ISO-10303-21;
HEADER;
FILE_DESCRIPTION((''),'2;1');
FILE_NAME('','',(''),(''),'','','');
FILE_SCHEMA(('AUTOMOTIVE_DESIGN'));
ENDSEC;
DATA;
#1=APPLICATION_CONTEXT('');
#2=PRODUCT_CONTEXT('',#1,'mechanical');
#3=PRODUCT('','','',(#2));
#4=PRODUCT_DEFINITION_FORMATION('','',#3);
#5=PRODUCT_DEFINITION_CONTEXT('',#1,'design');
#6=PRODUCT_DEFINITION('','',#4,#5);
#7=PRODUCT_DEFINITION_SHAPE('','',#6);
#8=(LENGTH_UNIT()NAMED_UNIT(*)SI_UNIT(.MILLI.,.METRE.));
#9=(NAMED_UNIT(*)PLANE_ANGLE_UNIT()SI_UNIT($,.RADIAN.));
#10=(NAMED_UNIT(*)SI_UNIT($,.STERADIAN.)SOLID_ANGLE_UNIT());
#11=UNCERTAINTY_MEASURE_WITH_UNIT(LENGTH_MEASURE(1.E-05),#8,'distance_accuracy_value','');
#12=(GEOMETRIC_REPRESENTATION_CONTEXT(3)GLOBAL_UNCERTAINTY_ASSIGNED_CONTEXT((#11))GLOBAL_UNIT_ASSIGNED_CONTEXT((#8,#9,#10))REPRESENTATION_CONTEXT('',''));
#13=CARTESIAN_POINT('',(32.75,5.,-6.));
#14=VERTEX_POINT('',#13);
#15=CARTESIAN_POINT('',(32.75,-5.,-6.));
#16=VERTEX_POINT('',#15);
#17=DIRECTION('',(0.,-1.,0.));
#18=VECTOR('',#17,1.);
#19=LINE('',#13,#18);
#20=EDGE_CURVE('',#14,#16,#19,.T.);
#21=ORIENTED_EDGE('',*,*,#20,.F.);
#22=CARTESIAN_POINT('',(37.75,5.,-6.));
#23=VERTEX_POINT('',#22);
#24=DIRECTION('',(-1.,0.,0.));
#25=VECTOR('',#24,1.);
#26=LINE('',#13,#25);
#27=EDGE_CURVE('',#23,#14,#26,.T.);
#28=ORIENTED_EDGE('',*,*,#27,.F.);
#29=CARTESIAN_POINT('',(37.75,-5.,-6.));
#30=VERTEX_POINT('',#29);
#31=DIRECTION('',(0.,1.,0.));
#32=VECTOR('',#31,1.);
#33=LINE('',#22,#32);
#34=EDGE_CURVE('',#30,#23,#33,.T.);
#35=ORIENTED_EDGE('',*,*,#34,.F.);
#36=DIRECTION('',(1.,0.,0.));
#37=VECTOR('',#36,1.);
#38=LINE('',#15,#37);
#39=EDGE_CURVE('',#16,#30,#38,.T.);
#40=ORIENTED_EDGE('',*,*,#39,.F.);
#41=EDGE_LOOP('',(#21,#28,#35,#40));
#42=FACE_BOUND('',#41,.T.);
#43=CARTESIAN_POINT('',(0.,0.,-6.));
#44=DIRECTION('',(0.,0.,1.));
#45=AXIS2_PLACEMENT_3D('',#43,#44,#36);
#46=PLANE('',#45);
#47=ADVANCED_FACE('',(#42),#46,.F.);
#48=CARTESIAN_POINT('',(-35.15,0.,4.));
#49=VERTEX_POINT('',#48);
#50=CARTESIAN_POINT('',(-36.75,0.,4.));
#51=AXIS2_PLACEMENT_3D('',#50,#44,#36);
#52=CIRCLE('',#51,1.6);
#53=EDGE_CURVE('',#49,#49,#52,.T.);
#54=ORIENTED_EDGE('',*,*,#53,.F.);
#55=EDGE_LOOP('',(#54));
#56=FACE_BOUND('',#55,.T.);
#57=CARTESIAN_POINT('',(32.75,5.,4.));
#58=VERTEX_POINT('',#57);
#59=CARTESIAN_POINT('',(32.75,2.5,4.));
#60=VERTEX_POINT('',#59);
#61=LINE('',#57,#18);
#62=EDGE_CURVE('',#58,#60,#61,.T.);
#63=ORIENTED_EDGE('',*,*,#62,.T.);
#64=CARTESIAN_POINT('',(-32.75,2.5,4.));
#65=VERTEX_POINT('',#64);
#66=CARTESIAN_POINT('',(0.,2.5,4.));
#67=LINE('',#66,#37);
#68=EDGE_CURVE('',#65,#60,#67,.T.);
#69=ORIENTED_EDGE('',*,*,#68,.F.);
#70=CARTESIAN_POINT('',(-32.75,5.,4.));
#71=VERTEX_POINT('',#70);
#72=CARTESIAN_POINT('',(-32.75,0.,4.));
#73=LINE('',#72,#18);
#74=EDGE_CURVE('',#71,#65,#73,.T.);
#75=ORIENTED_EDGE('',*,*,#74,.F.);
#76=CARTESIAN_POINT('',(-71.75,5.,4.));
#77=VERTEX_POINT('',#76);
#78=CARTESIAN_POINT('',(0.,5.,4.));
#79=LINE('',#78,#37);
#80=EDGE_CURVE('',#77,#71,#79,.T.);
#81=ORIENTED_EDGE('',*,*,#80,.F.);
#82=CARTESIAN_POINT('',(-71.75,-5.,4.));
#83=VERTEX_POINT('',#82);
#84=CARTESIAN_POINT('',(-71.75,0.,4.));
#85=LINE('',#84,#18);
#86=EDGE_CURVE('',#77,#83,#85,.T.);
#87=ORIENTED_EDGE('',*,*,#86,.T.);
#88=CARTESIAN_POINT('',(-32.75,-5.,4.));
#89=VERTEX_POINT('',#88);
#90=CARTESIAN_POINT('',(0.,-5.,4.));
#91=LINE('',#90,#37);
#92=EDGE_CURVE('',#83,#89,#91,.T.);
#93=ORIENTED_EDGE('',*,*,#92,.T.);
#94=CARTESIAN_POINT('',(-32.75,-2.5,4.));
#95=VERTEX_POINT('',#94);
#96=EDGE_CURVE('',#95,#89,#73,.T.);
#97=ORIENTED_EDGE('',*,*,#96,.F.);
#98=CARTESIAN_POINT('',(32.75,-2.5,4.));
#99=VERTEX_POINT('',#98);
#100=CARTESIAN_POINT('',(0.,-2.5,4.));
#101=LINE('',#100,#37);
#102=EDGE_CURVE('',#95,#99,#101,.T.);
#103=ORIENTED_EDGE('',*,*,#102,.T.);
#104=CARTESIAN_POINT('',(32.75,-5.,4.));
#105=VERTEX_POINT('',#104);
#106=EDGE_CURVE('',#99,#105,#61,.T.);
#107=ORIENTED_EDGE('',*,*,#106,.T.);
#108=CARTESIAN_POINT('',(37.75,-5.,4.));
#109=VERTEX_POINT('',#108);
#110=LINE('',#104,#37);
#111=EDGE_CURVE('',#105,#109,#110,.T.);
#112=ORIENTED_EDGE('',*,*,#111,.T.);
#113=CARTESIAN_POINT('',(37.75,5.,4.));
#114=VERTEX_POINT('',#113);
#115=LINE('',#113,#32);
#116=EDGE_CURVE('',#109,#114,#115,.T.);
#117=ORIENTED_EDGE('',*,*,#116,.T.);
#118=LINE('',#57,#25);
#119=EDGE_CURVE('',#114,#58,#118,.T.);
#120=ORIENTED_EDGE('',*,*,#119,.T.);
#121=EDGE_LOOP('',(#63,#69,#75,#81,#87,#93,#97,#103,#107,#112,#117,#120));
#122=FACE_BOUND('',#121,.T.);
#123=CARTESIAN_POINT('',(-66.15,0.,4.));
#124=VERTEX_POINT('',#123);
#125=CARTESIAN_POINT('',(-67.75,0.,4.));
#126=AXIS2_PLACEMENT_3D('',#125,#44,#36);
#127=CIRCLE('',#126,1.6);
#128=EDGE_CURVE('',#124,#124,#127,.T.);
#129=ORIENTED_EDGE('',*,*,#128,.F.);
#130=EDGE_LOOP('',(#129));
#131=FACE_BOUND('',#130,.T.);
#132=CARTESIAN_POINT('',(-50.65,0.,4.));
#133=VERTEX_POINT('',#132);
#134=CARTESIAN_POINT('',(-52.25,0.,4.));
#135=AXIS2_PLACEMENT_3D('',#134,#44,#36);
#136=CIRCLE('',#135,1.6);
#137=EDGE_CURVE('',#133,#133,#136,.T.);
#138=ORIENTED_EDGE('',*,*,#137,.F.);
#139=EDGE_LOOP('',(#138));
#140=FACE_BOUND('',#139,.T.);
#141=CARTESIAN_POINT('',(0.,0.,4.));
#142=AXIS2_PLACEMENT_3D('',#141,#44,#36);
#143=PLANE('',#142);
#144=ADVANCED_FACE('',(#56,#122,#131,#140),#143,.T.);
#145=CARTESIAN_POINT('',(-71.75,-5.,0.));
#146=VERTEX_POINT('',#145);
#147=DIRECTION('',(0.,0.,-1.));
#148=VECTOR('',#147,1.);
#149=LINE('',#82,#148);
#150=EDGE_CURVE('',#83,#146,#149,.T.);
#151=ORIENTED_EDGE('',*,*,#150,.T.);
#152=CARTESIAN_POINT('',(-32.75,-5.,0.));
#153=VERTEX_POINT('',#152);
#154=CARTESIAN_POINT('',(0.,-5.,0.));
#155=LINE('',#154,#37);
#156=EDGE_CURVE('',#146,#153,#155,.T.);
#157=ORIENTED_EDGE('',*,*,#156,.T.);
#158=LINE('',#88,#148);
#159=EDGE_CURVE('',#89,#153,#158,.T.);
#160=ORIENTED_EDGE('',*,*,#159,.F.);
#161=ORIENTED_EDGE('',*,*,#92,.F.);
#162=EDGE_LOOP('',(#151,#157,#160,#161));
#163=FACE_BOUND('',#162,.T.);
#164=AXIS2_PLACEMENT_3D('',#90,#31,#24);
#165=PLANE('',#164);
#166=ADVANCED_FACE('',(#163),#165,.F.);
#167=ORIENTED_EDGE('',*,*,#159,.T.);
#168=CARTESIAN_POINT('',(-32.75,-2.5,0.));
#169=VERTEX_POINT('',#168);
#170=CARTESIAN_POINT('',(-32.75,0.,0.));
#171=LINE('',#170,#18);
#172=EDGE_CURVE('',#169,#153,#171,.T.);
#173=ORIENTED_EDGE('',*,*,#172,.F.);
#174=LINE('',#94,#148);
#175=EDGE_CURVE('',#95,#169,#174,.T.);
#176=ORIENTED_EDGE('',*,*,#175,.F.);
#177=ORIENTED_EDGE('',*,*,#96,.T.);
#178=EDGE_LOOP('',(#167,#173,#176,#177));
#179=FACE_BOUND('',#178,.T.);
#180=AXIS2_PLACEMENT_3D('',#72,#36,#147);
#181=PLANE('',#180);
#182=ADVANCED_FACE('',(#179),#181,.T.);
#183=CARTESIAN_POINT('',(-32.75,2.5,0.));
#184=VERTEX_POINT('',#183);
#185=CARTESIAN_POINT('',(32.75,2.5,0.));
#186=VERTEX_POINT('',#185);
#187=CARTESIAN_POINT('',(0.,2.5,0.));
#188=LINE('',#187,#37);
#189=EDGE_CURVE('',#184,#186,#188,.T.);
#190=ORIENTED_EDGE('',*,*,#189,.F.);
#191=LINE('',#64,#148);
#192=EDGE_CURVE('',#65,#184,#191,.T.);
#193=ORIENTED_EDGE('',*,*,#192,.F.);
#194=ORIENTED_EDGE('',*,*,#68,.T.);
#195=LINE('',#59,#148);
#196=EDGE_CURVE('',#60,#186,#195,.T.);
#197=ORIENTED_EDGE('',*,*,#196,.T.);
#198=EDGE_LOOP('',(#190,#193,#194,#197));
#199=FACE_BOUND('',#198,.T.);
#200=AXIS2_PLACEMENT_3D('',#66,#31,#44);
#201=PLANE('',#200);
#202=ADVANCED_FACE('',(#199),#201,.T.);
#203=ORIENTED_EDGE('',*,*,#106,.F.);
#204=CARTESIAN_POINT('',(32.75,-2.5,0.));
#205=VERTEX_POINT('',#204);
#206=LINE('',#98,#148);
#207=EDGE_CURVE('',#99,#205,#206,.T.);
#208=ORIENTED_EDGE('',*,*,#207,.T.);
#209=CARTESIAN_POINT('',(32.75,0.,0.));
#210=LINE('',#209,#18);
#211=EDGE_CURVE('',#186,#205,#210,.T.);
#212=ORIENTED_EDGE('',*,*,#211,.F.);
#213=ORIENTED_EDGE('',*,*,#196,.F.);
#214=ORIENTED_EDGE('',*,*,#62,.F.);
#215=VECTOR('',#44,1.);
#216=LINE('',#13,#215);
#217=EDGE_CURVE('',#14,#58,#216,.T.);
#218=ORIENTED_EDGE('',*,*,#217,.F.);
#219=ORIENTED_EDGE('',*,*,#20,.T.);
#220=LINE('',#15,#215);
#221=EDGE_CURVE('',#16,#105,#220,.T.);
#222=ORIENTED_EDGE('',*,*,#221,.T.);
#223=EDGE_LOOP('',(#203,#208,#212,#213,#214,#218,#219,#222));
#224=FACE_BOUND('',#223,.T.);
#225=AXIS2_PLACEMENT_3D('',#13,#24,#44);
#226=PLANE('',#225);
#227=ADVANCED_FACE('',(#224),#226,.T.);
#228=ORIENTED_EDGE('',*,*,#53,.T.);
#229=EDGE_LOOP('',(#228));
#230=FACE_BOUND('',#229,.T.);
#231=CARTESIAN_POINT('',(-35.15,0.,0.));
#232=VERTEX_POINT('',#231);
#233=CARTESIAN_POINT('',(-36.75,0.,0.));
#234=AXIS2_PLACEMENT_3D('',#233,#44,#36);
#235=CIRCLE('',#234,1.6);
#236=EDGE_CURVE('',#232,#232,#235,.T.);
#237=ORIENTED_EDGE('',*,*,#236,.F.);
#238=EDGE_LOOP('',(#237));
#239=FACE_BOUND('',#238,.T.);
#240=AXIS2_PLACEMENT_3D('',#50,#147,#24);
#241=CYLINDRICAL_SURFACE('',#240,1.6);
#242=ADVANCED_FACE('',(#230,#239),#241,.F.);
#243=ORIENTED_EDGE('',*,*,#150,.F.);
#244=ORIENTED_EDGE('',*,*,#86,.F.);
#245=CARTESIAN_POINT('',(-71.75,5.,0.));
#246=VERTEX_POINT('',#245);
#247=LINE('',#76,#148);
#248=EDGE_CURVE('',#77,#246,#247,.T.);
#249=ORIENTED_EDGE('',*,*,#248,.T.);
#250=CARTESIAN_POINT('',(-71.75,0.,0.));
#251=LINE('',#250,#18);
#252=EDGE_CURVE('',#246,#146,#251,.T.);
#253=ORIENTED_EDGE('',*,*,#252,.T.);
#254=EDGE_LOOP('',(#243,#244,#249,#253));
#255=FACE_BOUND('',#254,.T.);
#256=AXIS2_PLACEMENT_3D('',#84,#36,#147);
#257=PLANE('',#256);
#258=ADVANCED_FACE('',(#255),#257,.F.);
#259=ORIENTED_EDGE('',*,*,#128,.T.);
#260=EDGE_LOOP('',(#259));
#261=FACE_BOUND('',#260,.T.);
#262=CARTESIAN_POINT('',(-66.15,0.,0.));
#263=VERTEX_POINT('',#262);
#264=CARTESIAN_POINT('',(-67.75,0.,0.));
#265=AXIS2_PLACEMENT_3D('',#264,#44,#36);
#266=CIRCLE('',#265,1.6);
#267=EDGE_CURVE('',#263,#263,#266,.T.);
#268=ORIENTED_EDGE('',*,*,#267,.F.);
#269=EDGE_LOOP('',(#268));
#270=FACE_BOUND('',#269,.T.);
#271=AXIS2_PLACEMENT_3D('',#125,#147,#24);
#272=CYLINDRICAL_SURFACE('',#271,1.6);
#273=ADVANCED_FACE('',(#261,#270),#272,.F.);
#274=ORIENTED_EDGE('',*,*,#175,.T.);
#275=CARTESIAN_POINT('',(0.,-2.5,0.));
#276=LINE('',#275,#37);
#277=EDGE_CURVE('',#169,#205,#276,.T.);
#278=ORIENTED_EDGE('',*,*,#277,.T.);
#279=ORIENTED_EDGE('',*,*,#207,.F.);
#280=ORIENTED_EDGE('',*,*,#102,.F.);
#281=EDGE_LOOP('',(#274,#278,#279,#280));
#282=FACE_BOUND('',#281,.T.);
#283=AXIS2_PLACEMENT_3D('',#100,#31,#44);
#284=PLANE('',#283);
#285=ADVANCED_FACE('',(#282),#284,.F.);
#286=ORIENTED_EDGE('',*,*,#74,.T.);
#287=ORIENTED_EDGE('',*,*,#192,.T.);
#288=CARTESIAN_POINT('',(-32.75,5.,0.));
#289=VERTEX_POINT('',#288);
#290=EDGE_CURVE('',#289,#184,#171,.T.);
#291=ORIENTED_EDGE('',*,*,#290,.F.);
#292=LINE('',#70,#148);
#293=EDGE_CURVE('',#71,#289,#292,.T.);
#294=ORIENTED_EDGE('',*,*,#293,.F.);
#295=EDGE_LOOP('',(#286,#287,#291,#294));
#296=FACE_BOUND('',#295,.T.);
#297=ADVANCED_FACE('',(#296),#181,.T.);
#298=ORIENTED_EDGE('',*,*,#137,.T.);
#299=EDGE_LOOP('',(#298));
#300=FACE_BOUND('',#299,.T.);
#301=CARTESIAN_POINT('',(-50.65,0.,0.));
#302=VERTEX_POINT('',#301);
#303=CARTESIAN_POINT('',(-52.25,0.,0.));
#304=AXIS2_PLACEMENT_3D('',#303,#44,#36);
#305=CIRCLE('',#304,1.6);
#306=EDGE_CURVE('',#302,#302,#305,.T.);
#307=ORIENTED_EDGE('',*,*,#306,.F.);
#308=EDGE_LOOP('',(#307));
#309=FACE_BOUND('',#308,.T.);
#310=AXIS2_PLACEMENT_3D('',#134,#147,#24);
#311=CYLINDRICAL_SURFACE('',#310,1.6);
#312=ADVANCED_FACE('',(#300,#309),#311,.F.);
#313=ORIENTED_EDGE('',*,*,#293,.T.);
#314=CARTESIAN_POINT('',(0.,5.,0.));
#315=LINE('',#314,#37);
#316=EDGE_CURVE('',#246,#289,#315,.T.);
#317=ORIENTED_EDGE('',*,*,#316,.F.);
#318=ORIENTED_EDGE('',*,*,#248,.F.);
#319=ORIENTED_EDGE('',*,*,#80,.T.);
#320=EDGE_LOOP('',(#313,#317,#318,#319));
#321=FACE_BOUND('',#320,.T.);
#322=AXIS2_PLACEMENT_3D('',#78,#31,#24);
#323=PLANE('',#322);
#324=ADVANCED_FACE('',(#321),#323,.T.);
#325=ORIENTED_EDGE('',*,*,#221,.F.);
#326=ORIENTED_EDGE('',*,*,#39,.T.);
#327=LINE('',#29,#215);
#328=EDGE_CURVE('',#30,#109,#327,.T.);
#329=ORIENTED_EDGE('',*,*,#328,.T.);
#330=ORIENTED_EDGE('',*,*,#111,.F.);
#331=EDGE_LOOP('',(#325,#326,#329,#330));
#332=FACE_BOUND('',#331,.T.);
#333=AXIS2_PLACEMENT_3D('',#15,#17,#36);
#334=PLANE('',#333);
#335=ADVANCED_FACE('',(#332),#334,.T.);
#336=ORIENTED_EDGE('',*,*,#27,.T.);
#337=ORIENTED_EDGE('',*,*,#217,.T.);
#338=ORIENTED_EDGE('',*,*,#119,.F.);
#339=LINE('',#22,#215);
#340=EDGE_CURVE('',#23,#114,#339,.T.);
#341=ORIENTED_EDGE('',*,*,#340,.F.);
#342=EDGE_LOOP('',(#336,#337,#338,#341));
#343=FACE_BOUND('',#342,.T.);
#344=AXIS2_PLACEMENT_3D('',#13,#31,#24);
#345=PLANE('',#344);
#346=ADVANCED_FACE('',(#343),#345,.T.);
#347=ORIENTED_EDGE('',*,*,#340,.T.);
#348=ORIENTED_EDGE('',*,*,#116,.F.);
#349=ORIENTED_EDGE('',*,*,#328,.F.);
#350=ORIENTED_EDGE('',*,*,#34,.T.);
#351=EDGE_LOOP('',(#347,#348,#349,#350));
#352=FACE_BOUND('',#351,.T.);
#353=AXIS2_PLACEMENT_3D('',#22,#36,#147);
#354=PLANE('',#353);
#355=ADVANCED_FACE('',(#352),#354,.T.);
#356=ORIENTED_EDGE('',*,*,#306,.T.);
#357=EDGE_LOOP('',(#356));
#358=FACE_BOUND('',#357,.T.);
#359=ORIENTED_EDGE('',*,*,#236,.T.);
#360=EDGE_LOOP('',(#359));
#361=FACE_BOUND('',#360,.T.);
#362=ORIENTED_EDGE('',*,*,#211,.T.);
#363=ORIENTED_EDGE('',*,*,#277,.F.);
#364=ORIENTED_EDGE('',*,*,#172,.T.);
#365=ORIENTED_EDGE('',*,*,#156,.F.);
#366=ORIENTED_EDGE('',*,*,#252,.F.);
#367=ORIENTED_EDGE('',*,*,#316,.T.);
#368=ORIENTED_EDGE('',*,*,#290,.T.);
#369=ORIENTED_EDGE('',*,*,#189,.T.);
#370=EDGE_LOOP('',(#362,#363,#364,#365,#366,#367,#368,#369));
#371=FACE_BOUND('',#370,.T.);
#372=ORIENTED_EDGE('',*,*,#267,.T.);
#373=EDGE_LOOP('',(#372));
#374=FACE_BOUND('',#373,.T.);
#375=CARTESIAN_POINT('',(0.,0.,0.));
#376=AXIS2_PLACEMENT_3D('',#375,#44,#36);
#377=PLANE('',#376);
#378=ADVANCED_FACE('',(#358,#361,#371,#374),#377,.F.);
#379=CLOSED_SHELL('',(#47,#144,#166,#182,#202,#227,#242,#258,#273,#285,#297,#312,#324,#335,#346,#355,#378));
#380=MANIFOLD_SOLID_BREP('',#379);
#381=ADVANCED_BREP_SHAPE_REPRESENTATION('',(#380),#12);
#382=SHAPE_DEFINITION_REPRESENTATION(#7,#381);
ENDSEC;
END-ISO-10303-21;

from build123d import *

# Parameters (mm, degrees)
ESBO_O1_R                = 1.6
ESBO_O1_W                = 65.5
ESBO_O1_H                = 5
RESSALTO_EXTRUS_O1_DEPTH = 4
ESBO_O2_W                = 5
ESBO_O2_H                = 10
RESSALTO_EXTRUS_O2_DEPTH = 10


with BuildPart() as part:
    # Esboço1 → Ressalto-extrusão1 (new body)
    with BuildSketch(Plane.XY):
        Polygon((-32.75, -2.5), (-32.75, -5), (-71.75, -5), (-71.75, 5), (-32.75, 5), (-32.75, 2.5), align=None)
        with Locations((-52.25, 0)):
            Circle(ESBO_O1_R, mode=Mode.SUBTRACT)
        with Locations((-67.75, 0)):
            Circle(ESBO_O1_R, mode=Mode.SUBTRACT)
        with Locations((-36.75, 0)):
            Circle(ESBO_O1_R, mode=Mode.SUBTRACT)
        Rectangle(ESBO_O1_W, ESBO_O1_H)
    extrude(amount=RESSALTO_EXTRUS_O1_DEPTH)

    # Esboço2 → Ressalto-extrusão2 (add)
    with BuildSketch(Plane.XY.offset(4)):
        with Locations((35.25, 0)):
            Rectangle(ESBO_O2_W, ESBO_O2_H)
    extrude(amount=-RESSALTO_EXTRUS_O2_DEPTH)


solid = part.part
